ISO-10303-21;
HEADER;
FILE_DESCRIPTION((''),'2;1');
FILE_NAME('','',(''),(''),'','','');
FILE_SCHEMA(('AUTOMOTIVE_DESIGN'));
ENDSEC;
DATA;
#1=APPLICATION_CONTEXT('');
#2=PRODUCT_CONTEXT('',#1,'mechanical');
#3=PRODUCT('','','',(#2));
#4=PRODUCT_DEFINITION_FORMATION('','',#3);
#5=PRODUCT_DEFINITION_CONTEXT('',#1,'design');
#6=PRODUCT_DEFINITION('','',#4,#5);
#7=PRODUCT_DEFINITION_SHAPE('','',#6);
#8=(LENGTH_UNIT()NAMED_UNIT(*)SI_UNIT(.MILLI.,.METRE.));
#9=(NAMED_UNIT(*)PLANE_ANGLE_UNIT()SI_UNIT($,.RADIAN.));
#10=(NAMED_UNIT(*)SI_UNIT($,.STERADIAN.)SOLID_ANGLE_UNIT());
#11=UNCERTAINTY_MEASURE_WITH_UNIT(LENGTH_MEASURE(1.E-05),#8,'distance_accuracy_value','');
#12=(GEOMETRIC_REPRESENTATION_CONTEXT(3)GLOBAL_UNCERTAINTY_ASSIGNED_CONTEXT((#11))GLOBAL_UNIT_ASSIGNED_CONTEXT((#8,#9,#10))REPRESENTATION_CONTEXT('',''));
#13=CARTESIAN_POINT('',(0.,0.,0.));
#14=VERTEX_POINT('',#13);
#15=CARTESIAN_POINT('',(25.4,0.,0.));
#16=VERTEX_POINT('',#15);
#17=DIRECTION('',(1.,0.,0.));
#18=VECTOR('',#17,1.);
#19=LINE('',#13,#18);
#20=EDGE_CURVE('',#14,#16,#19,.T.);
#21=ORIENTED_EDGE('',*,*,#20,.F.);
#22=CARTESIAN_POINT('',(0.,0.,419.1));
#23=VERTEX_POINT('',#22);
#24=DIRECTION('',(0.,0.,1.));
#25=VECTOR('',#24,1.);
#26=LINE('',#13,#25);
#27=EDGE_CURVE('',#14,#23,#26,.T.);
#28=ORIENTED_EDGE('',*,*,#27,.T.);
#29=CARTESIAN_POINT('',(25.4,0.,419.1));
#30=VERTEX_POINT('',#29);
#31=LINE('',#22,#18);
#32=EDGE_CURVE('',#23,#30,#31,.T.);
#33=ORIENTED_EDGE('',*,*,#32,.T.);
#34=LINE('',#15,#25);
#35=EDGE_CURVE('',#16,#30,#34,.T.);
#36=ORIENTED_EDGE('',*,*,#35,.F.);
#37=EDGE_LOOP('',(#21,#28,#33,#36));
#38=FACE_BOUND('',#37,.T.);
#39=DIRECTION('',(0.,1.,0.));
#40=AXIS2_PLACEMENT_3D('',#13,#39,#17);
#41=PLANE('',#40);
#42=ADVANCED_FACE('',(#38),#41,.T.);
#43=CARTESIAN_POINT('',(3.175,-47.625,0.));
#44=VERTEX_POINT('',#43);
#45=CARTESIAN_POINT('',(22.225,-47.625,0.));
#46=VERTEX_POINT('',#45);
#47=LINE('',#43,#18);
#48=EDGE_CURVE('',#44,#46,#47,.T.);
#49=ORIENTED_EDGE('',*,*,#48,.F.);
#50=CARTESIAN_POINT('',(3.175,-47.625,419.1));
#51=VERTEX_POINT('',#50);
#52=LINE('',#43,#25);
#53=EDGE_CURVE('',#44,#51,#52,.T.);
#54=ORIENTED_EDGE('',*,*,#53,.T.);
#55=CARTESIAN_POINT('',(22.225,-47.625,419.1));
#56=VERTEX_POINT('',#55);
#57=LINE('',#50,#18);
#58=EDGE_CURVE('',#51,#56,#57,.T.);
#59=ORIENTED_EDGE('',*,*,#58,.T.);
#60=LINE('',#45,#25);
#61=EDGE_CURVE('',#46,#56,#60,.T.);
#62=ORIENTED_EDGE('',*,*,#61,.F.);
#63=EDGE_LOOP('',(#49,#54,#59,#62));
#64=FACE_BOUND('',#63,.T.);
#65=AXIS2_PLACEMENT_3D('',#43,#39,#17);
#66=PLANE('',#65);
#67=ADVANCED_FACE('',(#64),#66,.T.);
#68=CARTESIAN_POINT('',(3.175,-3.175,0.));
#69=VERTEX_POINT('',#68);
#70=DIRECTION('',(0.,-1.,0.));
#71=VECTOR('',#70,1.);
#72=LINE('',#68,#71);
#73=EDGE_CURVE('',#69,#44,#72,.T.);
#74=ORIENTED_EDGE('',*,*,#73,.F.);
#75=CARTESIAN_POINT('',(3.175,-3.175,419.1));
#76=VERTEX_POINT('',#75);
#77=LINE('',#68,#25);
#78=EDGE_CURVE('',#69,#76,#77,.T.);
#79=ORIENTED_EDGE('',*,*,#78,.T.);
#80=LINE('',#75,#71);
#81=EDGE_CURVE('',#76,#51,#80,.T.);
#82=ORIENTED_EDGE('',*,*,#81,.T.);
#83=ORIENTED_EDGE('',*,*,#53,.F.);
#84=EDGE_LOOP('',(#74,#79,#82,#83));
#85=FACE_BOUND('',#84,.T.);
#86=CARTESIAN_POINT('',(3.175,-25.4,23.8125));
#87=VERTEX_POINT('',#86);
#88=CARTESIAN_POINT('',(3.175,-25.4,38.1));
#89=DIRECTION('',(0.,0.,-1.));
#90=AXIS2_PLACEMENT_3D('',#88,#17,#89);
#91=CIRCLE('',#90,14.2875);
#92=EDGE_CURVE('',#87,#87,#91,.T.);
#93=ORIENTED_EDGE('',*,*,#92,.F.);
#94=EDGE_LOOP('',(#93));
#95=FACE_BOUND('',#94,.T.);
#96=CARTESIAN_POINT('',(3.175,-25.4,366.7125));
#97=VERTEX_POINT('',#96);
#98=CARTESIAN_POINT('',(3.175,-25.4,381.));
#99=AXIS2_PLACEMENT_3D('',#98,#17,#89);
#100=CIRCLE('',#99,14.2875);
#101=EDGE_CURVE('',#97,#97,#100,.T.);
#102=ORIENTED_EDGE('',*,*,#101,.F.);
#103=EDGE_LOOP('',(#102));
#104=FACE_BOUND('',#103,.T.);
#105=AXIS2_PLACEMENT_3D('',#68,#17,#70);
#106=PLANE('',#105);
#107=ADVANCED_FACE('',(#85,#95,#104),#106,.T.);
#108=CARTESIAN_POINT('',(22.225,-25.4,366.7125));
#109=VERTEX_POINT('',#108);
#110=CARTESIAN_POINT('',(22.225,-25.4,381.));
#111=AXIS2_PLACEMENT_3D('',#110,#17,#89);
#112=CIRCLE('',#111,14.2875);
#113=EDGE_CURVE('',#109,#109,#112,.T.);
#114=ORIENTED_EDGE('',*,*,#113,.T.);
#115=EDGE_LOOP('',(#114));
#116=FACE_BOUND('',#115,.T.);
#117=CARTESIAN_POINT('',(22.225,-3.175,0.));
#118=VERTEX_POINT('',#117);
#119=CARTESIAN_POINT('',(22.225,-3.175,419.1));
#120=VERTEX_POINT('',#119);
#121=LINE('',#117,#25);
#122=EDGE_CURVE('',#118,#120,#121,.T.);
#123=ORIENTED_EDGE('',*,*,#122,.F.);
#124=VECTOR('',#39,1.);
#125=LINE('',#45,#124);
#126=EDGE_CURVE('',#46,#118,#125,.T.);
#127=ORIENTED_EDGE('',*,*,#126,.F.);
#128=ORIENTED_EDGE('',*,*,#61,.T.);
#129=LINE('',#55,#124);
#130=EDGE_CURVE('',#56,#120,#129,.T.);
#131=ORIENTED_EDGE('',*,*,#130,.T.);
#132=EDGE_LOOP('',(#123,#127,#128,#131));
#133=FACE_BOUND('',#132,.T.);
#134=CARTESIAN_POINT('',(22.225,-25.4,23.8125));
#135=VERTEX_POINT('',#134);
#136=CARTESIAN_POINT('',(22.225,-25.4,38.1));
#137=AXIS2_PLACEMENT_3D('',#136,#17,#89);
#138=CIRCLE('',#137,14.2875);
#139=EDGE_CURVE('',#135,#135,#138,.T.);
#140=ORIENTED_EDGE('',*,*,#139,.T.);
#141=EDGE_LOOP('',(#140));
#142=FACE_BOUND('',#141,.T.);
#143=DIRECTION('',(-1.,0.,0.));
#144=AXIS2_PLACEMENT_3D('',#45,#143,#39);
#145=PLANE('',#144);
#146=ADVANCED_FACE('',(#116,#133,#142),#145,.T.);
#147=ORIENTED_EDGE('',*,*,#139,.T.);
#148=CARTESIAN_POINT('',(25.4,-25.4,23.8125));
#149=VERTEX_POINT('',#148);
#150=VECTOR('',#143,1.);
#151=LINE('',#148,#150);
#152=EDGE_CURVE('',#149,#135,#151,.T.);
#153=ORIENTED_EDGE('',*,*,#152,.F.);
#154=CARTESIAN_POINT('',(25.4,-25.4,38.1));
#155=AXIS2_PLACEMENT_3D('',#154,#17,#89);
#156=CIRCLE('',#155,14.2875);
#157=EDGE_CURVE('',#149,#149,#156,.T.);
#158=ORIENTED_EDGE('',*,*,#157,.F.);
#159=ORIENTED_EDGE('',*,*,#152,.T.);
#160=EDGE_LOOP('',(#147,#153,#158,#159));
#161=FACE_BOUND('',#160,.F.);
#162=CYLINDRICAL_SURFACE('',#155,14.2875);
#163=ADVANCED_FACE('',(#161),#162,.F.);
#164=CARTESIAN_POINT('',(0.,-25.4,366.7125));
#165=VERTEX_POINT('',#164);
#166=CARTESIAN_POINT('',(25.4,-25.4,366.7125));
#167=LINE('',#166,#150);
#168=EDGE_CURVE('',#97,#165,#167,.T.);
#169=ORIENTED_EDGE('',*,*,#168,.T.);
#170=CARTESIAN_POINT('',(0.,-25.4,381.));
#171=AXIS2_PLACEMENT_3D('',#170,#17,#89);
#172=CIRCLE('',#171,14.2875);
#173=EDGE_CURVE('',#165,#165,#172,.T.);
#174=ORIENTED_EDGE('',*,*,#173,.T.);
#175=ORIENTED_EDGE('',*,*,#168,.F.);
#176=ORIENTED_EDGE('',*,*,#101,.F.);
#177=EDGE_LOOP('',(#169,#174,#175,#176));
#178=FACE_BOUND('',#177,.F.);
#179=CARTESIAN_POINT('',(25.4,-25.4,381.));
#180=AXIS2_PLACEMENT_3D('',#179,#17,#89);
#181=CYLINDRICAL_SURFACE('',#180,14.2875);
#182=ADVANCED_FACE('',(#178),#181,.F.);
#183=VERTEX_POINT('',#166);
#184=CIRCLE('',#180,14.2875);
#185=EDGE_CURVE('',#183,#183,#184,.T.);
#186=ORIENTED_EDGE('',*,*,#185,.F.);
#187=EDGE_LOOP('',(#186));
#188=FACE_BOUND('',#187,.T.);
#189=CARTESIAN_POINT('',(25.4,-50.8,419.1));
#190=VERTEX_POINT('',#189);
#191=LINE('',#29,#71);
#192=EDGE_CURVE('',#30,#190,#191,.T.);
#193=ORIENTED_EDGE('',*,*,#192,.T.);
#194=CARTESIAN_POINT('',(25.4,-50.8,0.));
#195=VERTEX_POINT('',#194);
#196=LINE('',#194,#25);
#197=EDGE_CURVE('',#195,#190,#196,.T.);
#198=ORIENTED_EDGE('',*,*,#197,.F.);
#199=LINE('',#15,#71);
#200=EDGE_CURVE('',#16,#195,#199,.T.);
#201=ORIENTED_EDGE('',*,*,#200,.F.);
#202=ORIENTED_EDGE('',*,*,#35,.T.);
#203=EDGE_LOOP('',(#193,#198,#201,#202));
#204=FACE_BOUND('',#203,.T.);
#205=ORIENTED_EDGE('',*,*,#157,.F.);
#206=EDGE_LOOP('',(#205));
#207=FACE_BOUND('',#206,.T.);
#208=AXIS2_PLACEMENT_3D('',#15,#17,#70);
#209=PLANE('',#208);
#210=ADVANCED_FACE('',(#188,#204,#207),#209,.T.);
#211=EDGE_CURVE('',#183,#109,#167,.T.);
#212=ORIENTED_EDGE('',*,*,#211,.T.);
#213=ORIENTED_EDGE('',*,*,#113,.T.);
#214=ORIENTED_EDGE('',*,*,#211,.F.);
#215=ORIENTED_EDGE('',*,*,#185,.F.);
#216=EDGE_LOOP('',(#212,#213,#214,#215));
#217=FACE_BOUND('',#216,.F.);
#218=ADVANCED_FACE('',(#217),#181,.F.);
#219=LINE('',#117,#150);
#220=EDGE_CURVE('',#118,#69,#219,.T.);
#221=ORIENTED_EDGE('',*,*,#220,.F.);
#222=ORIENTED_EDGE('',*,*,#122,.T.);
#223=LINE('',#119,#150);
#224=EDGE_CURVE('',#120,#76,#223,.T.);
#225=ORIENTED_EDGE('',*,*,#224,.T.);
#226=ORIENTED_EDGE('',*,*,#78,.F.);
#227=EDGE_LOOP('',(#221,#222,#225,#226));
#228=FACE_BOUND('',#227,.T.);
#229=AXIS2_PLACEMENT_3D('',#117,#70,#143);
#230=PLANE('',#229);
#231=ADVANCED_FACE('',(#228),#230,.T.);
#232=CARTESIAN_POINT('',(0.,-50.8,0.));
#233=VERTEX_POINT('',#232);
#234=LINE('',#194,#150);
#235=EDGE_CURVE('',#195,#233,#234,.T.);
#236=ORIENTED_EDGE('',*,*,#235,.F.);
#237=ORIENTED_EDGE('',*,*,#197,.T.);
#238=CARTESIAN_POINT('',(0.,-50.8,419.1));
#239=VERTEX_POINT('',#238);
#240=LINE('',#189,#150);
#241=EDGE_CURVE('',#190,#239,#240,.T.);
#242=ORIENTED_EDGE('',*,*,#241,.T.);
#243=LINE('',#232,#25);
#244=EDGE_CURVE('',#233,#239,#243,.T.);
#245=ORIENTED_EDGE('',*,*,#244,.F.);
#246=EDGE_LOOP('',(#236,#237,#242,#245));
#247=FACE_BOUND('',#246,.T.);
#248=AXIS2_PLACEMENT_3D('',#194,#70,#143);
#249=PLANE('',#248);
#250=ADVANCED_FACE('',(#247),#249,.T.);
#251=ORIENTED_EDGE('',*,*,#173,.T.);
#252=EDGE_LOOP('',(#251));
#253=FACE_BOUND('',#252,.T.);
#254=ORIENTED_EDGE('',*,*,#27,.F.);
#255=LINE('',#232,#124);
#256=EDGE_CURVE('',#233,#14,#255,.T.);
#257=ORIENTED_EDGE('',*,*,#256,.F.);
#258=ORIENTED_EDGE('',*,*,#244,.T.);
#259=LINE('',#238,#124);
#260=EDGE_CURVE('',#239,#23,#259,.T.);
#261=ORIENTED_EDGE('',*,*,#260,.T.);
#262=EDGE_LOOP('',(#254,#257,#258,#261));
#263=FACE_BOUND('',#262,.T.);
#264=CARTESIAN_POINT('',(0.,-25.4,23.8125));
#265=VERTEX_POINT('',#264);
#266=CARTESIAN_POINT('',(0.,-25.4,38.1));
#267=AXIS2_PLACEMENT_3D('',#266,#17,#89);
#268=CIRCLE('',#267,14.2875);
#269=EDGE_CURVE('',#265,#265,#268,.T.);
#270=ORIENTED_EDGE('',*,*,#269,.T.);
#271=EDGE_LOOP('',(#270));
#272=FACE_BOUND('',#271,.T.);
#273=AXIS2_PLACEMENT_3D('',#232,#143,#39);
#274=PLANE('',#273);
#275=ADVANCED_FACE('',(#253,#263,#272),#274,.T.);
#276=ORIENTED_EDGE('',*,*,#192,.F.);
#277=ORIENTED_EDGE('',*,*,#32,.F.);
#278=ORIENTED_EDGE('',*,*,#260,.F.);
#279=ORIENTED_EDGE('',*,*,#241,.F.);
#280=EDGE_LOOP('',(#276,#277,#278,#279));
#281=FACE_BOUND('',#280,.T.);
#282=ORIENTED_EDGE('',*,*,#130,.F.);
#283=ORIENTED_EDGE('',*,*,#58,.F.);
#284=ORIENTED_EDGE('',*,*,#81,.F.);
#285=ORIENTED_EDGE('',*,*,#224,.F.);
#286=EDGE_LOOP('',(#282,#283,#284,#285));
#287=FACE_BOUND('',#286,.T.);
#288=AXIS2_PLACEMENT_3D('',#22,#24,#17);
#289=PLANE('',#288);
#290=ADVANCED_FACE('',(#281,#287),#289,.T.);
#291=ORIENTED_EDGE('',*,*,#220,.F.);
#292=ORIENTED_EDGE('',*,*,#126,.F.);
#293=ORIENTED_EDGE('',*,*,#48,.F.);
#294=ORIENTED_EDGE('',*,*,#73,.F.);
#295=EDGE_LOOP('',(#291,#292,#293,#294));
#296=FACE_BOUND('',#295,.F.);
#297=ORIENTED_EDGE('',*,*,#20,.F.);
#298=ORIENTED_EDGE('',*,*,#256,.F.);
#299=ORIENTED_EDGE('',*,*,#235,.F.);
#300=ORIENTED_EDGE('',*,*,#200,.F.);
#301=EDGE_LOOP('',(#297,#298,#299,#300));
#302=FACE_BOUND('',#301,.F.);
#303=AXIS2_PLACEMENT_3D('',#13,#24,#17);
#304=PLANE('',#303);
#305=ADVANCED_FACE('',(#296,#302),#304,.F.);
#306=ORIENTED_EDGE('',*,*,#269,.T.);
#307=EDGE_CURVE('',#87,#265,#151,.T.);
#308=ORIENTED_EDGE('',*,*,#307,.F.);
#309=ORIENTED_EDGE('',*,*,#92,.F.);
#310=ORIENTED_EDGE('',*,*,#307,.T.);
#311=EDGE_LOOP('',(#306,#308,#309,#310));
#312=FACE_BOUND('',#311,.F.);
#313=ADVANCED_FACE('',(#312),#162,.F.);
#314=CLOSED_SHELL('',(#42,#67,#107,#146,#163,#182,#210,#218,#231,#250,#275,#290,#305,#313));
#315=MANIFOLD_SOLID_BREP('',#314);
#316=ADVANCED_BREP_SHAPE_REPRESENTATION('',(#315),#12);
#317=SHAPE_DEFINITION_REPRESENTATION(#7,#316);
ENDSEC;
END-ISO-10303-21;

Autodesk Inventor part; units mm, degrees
ref_plane "YZ Plane" through (0, 0, 0) normal (1, 0, 0) x (0, 1, 0)
ref_plane "XZ Plane" through (0, 0, 0) normal (0, 1, 0) x (-1, 0, 0)
ref_plane "XY Plane" through (0, 0, 0) normal (0, 0, 1) x (1, 0, 0)
sketch "Sketch1" plane through (0, 0, 0) normal (0, 0, 1) x (1, 0, 0)
  line L0 (0, 0) -> (25.4, 0)
  line L1 (25.4, 0) -> (25.4, -50.8)
  line L2 (25.4, -50.8) -> (0, -50.8)
  line L3 (0, -50.8) -> (0, 0)
  line L4 (22.225, -3.175) -> (3.175, -3.175)
  line L5 (3.175, -3.175) -> (3.175, -47.625)
  line L6 (3.175, -47.625) -> (22.225, -47.625)
  line L7 (22.225, -47.625) -> (22.225, -3.175)
  dimension "d0" = 25.4
  dimension "d1" = 50.8
  dimension "d2" = 3.175
extrude "Extrusion1" add sketch "Sketch1" along normal blind 419.1
sketch "Sketch2" plane through (25.4, -50.8, 0) normal (1, 0, 0) x (0, 0, -1)
  circle A0 centre (-381, 25.4) radius 14.2875
  circle A1 centre (-38.1, 25.4) radius 14.2875
  line L0 (0, 50.8) -> (0, 0) projected
  line L1 (0, 0) -> (-419.1, 0) projected
  line L2 (-419.1, 0) -> (-419.1, 50.8) projected
  dimension "d5" = 38.1
  dimension "d6" = 25.4
  dimension "d7" = 28.575
  dimension "d8" = 25.4
  dimension "d9" = 38.1
  dimension "d10" = 28.575
  dimension "d13" = 342.9
extrude "Extrusion2" cut sketch "Sketch2" against normal blind 376.623
properties part number "DRL 6 Long"
